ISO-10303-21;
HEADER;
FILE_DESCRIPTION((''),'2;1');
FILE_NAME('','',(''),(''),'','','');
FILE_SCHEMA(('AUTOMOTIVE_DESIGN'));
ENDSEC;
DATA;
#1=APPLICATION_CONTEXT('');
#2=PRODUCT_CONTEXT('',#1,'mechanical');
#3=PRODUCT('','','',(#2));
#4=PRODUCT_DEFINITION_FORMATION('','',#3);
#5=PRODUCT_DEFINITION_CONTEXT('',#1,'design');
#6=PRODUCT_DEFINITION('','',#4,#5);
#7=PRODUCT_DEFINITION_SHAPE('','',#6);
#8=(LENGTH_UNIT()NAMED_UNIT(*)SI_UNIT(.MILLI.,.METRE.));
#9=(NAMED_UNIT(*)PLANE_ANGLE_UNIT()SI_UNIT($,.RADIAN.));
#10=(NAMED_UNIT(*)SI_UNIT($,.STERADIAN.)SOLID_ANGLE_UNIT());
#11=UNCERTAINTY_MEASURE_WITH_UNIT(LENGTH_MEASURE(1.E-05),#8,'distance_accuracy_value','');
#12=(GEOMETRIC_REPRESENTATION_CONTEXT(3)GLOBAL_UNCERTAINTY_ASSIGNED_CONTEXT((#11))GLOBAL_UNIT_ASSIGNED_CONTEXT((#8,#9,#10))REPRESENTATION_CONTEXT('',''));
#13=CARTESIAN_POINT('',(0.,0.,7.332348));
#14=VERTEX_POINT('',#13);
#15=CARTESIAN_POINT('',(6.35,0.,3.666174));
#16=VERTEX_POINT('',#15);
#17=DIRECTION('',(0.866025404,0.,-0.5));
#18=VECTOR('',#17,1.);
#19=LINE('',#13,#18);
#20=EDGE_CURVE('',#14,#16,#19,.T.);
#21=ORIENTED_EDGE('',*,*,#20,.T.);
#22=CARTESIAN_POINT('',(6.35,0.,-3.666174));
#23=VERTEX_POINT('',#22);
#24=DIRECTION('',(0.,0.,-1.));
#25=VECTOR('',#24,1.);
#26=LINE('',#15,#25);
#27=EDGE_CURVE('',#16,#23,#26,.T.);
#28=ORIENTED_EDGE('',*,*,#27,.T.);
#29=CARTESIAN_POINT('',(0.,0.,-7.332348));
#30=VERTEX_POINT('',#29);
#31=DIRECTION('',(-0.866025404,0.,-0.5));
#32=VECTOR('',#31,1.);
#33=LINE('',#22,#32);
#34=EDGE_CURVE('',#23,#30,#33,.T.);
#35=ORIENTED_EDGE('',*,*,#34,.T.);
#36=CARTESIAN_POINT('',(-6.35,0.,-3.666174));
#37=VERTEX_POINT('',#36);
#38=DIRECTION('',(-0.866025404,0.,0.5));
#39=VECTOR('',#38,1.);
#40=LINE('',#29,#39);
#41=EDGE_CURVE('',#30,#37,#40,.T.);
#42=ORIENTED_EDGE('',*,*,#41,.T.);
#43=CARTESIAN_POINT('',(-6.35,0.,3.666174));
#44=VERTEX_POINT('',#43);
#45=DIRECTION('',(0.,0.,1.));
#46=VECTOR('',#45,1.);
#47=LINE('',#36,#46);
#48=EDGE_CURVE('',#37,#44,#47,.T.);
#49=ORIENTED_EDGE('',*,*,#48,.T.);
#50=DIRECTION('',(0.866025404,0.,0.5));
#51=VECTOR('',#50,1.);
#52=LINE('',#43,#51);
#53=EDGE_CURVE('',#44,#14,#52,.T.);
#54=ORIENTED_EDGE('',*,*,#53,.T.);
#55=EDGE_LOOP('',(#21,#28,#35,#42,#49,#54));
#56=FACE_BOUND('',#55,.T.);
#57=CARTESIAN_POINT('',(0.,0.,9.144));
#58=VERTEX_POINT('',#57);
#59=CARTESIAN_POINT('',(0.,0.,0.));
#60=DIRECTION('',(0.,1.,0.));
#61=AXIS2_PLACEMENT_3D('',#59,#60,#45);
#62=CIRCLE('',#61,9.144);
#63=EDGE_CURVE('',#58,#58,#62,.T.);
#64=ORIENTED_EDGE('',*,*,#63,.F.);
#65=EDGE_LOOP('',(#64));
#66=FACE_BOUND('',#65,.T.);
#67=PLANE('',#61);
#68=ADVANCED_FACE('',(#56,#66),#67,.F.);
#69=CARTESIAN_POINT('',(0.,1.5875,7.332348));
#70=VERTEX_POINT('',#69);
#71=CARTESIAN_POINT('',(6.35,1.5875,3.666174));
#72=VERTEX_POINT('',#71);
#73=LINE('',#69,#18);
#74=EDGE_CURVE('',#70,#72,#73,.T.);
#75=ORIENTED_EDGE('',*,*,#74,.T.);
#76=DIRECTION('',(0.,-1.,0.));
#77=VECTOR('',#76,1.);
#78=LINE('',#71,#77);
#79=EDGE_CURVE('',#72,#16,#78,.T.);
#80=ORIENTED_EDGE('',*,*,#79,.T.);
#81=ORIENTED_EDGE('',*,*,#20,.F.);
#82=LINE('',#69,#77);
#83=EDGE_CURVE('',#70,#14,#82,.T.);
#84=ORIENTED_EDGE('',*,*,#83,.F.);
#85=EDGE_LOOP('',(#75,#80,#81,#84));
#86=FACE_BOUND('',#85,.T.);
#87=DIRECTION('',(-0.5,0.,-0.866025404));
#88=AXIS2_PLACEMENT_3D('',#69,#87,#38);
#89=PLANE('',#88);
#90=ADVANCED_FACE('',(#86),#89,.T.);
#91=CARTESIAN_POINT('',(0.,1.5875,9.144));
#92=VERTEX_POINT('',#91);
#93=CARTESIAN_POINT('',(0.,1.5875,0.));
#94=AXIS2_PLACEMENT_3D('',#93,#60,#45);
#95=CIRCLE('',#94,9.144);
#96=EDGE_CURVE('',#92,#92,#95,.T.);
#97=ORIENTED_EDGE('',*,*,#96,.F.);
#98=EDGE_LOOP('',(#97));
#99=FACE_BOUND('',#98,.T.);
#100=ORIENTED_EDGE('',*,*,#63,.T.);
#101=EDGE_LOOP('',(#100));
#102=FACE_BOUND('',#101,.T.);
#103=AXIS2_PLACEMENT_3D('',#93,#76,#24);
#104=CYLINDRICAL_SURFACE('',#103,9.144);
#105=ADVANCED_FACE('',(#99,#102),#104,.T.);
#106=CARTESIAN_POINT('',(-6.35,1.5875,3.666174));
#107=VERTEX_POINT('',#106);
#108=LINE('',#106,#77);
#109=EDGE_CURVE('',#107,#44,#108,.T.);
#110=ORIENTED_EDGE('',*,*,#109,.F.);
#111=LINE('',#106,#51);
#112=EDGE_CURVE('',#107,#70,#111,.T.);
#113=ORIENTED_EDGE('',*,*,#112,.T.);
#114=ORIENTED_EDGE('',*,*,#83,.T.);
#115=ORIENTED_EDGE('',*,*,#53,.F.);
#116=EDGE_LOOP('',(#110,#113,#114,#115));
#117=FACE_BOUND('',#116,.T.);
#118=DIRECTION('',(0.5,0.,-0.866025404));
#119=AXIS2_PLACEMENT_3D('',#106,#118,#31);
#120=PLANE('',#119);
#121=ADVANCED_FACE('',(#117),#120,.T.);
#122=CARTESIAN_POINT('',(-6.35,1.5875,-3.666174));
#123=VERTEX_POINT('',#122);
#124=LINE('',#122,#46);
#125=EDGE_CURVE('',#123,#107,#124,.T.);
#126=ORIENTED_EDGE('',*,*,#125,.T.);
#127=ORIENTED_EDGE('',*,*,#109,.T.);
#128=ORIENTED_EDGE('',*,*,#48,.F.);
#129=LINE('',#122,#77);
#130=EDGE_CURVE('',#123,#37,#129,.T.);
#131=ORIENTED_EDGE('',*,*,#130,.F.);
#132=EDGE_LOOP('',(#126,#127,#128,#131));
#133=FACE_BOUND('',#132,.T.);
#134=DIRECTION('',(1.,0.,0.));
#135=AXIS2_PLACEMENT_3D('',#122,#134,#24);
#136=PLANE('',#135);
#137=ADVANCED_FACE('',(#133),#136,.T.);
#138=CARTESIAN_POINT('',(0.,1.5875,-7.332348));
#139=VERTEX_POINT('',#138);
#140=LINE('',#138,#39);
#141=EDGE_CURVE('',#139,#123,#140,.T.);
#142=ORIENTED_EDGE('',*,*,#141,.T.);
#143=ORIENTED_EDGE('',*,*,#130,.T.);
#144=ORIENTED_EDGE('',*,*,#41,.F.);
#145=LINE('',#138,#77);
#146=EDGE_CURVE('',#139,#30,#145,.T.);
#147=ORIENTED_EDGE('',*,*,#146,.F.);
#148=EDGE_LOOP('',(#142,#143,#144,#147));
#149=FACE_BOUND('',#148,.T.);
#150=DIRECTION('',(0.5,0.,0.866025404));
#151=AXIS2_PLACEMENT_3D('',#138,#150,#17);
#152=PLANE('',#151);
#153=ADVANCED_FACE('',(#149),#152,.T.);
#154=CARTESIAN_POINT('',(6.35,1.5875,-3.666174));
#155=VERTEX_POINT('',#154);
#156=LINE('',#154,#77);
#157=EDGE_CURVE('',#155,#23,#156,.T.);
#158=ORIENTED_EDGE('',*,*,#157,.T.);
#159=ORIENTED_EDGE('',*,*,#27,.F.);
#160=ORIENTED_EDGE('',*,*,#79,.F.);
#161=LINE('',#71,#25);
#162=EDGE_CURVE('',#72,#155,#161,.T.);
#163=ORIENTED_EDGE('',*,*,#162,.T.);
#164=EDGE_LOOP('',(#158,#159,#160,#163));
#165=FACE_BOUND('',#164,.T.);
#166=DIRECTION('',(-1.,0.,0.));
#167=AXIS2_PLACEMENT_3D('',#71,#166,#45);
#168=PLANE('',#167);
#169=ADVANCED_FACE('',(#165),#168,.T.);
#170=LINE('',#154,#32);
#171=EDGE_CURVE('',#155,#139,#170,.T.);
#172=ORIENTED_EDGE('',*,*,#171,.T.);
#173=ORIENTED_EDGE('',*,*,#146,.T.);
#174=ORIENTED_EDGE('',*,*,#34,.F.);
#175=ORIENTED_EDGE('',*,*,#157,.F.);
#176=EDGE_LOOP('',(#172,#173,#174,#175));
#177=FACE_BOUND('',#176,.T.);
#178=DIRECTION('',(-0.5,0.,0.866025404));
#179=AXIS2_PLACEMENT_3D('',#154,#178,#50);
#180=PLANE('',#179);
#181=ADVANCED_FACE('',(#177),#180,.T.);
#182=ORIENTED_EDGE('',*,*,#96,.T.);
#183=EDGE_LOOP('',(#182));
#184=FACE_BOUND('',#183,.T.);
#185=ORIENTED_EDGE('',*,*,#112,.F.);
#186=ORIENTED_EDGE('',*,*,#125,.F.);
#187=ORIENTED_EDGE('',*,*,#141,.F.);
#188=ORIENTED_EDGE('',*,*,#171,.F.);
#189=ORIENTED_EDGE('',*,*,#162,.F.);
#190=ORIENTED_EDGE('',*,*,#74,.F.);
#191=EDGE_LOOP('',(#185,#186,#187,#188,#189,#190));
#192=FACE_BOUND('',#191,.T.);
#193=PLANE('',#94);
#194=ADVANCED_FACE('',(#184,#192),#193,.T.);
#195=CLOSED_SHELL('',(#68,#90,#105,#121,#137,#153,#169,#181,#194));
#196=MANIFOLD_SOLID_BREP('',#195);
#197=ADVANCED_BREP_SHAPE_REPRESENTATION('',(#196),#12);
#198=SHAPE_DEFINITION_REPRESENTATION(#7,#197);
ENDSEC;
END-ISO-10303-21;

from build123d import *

# Parameters (mm, degrees)
SKETCH1_R           = 9.144
BOSS_EXTRUDE1_DEPTH = 1.5875


with BuildPart() as part:
    # Sketch1 → Boss-Extrude1 (new body)
    with BuildSketch(Plane(origin=(0, 0, 0), x_dir=(1, 0, 0), z_dir=(0, 1, 0))):
        with Locations(Location((0, 0, 0), (0, 0, 270))):
            Circle(SKETCH1_R)
        Polygon((6.35, -3.666174209), (6.35, 3.666174209), (0, 7.332348419), (-6.35, 3.666174209), (-6.35, -3.666174209), (0, -7.332348419), align=None, mode=Mode.SUBTRACT)
    extrude(amount=BOSS_EXTRUDE1_DEPTH)


solid = part.part
